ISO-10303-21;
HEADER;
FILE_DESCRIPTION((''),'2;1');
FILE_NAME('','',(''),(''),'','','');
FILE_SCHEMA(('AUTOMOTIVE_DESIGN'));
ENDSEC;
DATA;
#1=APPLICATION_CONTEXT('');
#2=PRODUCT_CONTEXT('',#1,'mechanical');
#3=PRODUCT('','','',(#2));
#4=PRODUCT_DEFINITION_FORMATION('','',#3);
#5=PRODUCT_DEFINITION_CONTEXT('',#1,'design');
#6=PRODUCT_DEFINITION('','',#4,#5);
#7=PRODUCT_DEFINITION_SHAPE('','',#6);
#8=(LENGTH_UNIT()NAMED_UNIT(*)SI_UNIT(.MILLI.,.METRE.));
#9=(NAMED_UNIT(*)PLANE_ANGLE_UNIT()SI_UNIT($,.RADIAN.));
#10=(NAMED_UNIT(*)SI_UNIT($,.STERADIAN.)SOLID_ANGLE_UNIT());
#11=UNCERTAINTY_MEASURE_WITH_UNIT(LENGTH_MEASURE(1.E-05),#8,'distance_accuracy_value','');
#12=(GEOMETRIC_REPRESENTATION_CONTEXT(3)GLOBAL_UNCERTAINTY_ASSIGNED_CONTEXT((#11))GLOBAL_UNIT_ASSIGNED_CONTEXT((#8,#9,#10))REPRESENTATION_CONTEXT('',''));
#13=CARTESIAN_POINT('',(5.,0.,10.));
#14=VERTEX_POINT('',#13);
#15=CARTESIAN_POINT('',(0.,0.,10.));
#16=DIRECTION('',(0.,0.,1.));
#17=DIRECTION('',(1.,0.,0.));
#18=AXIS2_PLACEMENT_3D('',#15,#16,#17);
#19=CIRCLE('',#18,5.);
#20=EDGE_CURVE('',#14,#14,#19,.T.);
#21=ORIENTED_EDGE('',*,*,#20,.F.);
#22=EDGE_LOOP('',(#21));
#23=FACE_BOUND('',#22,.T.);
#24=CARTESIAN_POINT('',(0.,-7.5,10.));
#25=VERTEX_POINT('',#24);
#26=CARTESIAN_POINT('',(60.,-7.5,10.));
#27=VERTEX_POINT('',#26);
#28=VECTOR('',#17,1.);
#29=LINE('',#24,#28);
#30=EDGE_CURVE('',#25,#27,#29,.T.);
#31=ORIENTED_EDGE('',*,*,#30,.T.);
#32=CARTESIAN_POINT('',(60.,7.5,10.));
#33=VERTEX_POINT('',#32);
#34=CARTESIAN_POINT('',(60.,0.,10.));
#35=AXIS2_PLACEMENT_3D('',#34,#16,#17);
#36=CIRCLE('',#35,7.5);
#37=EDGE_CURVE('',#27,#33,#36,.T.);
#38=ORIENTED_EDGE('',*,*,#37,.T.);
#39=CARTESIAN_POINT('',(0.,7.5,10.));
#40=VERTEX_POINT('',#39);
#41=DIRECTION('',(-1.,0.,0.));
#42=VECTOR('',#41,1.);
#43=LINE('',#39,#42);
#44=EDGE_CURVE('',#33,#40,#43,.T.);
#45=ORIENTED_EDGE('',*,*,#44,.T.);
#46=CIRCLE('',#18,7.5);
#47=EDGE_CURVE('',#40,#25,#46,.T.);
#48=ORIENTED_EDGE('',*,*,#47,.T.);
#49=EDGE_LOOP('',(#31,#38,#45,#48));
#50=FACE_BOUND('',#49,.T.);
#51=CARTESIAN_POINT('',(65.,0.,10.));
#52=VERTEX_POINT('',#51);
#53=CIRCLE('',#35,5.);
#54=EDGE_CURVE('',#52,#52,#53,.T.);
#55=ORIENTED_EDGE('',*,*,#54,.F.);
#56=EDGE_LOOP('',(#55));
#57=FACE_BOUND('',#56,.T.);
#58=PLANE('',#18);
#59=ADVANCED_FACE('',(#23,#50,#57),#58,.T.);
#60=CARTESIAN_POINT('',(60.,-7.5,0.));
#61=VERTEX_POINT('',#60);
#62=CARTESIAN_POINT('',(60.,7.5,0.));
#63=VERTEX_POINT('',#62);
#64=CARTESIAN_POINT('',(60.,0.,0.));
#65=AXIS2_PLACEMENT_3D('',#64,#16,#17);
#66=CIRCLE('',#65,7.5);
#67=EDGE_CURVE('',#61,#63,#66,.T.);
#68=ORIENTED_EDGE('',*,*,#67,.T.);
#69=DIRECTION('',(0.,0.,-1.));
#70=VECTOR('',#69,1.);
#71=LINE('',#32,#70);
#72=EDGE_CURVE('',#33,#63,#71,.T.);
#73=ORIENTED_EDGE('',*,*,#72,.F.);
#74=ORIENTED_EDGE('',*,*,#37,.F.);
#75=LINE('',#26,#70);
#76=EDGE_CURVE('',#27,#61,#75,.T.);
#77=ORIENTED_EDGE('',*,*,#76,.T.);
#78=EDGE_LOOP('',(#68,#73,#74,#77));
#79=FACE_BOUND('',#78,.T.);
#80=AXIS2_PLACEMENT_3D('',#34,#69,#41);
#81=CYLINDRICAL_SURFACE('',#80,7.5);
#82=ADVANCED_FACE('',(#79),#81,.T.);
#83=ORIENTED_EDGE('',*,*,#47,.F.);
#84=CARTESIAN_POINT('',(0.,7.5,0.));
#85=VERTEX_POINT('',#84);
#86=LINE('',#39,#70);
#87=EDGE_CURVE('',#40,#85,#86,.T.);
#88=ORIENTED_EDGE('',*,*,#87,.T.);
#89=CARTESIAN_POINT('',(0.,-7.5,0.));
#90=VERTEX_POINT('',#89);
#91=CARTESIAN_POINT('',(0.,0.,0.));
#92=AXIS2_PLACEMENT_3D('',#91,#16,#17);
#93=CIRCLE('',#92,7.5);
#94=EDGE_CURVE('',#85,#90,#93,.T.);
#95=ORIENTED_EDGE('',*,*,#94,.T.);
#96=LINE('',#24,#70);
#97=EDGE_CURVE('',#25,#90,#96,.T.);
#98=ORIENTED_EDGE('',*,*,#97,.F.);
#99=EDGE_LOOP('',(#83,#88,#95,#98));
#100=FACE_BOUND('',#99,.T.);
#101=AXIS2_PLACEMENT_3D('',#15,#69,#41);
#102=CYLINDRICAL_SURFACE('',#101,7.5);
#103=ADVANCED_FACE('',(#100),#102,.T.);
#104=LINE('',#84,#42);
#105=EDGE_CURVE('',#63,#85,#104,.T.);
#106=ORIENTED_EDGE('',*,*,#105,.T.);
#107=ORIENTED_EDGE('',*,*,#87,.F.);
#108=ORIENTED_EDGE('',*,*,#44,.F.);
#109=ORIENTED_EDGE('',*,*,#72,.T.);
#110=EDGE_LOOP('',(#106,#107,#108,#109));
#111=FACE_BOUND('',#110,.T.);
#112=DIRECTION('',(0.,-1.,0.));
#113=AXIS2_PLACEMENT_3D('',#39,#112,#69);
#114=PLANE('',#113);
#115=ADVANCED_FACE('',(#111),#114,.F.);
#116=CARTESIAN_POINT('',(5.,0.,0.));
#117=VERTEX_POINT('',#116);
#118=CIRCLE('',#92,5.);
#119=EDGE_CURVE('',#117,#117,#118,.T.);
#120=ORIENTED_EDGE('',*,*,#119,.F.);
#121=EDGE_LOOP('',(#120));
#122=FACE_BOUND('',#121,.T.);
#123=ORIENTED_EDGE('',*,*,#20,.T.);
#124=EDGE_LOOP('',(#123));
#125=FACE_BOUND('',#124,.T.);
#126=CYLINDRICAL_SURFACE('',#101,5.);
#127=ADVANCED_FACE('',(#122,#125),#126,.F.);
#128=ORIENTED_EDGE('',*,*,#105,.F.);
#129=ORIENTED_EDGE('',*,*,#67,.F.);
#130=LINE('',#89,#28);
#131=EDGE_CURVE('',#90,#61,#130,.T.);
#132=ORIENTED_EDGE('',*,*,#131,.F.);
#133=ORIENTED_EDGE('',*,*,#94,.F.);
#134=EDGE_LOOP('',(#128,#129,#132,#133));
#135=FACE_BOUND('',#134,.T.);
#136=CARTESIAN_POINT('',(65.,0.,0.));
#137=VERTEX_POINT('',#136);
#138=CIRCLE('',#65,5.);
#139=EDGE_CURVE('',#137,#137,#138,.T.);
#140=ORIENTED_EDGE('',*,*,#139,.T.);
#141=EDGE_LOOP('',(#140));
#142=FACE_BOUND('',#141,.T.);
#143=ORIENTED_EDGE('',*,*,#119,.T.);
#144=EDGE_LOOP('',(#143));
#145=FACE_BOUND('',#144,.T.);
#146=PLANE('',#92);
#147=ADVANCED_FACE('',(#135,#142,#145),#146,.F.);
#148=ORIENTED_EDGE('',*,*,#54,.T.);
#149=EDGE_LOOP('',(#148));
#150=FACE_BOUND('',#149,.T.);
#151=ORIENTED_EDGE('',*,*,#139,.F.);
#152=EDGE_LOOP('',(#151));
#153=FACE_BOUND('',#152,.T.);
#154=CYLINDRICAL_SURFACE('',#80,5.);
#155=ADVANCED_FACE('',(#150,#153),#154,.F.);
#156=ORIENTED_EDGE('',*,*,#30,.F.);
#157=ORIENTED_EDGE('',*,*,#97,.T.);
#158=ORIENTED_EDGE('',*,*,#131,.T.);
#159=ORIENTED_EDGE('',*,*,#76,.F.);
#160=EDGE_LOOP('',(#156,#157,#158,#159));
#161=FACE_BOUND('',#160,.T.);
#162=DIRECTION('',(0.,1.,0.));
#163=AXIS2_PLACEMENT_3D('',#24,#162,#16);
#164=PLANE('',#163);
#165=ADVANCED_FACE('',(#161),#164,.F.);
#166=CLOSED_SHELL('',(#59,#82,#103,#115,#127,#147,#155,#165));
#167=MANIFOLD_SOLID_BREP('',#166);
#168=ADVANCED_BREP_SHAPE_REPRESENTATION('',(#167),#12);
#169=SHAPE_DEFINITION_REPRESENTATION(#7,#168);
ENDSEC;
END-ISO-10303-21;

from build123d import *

# Parameters (mm, degrees)
CROQUIS1_R              = 5
SALIENTE_EXTRUIR1_DEPTH = 10


with BuildPart() as part:
    # Croquis1 → Saliente-Extruir1 (new body)
    with BuildSketch(Plane.XY):
        with BuildLine():
            Line((0, 7.5), (60, 7.5))
            ThreePointArc((60, 7.5), (67.5, 0), (60, -7.5))
            Line((60, -7.5), (0, -7.5))
            ThreePointArc((0, -7.5), (-7.5, 0), (0, 7.5))
        make_face()
        Circle(CROQUIS1_R, mode=Mode.SUBTRACT)
        with Locations((60, 0)):
            Circle(CROQUIS1_R, mode=Mode.SUBTRACT)
    extrude(amount=SALIENTE_EXTRUIR1_DEPTH)


solid = part.part
